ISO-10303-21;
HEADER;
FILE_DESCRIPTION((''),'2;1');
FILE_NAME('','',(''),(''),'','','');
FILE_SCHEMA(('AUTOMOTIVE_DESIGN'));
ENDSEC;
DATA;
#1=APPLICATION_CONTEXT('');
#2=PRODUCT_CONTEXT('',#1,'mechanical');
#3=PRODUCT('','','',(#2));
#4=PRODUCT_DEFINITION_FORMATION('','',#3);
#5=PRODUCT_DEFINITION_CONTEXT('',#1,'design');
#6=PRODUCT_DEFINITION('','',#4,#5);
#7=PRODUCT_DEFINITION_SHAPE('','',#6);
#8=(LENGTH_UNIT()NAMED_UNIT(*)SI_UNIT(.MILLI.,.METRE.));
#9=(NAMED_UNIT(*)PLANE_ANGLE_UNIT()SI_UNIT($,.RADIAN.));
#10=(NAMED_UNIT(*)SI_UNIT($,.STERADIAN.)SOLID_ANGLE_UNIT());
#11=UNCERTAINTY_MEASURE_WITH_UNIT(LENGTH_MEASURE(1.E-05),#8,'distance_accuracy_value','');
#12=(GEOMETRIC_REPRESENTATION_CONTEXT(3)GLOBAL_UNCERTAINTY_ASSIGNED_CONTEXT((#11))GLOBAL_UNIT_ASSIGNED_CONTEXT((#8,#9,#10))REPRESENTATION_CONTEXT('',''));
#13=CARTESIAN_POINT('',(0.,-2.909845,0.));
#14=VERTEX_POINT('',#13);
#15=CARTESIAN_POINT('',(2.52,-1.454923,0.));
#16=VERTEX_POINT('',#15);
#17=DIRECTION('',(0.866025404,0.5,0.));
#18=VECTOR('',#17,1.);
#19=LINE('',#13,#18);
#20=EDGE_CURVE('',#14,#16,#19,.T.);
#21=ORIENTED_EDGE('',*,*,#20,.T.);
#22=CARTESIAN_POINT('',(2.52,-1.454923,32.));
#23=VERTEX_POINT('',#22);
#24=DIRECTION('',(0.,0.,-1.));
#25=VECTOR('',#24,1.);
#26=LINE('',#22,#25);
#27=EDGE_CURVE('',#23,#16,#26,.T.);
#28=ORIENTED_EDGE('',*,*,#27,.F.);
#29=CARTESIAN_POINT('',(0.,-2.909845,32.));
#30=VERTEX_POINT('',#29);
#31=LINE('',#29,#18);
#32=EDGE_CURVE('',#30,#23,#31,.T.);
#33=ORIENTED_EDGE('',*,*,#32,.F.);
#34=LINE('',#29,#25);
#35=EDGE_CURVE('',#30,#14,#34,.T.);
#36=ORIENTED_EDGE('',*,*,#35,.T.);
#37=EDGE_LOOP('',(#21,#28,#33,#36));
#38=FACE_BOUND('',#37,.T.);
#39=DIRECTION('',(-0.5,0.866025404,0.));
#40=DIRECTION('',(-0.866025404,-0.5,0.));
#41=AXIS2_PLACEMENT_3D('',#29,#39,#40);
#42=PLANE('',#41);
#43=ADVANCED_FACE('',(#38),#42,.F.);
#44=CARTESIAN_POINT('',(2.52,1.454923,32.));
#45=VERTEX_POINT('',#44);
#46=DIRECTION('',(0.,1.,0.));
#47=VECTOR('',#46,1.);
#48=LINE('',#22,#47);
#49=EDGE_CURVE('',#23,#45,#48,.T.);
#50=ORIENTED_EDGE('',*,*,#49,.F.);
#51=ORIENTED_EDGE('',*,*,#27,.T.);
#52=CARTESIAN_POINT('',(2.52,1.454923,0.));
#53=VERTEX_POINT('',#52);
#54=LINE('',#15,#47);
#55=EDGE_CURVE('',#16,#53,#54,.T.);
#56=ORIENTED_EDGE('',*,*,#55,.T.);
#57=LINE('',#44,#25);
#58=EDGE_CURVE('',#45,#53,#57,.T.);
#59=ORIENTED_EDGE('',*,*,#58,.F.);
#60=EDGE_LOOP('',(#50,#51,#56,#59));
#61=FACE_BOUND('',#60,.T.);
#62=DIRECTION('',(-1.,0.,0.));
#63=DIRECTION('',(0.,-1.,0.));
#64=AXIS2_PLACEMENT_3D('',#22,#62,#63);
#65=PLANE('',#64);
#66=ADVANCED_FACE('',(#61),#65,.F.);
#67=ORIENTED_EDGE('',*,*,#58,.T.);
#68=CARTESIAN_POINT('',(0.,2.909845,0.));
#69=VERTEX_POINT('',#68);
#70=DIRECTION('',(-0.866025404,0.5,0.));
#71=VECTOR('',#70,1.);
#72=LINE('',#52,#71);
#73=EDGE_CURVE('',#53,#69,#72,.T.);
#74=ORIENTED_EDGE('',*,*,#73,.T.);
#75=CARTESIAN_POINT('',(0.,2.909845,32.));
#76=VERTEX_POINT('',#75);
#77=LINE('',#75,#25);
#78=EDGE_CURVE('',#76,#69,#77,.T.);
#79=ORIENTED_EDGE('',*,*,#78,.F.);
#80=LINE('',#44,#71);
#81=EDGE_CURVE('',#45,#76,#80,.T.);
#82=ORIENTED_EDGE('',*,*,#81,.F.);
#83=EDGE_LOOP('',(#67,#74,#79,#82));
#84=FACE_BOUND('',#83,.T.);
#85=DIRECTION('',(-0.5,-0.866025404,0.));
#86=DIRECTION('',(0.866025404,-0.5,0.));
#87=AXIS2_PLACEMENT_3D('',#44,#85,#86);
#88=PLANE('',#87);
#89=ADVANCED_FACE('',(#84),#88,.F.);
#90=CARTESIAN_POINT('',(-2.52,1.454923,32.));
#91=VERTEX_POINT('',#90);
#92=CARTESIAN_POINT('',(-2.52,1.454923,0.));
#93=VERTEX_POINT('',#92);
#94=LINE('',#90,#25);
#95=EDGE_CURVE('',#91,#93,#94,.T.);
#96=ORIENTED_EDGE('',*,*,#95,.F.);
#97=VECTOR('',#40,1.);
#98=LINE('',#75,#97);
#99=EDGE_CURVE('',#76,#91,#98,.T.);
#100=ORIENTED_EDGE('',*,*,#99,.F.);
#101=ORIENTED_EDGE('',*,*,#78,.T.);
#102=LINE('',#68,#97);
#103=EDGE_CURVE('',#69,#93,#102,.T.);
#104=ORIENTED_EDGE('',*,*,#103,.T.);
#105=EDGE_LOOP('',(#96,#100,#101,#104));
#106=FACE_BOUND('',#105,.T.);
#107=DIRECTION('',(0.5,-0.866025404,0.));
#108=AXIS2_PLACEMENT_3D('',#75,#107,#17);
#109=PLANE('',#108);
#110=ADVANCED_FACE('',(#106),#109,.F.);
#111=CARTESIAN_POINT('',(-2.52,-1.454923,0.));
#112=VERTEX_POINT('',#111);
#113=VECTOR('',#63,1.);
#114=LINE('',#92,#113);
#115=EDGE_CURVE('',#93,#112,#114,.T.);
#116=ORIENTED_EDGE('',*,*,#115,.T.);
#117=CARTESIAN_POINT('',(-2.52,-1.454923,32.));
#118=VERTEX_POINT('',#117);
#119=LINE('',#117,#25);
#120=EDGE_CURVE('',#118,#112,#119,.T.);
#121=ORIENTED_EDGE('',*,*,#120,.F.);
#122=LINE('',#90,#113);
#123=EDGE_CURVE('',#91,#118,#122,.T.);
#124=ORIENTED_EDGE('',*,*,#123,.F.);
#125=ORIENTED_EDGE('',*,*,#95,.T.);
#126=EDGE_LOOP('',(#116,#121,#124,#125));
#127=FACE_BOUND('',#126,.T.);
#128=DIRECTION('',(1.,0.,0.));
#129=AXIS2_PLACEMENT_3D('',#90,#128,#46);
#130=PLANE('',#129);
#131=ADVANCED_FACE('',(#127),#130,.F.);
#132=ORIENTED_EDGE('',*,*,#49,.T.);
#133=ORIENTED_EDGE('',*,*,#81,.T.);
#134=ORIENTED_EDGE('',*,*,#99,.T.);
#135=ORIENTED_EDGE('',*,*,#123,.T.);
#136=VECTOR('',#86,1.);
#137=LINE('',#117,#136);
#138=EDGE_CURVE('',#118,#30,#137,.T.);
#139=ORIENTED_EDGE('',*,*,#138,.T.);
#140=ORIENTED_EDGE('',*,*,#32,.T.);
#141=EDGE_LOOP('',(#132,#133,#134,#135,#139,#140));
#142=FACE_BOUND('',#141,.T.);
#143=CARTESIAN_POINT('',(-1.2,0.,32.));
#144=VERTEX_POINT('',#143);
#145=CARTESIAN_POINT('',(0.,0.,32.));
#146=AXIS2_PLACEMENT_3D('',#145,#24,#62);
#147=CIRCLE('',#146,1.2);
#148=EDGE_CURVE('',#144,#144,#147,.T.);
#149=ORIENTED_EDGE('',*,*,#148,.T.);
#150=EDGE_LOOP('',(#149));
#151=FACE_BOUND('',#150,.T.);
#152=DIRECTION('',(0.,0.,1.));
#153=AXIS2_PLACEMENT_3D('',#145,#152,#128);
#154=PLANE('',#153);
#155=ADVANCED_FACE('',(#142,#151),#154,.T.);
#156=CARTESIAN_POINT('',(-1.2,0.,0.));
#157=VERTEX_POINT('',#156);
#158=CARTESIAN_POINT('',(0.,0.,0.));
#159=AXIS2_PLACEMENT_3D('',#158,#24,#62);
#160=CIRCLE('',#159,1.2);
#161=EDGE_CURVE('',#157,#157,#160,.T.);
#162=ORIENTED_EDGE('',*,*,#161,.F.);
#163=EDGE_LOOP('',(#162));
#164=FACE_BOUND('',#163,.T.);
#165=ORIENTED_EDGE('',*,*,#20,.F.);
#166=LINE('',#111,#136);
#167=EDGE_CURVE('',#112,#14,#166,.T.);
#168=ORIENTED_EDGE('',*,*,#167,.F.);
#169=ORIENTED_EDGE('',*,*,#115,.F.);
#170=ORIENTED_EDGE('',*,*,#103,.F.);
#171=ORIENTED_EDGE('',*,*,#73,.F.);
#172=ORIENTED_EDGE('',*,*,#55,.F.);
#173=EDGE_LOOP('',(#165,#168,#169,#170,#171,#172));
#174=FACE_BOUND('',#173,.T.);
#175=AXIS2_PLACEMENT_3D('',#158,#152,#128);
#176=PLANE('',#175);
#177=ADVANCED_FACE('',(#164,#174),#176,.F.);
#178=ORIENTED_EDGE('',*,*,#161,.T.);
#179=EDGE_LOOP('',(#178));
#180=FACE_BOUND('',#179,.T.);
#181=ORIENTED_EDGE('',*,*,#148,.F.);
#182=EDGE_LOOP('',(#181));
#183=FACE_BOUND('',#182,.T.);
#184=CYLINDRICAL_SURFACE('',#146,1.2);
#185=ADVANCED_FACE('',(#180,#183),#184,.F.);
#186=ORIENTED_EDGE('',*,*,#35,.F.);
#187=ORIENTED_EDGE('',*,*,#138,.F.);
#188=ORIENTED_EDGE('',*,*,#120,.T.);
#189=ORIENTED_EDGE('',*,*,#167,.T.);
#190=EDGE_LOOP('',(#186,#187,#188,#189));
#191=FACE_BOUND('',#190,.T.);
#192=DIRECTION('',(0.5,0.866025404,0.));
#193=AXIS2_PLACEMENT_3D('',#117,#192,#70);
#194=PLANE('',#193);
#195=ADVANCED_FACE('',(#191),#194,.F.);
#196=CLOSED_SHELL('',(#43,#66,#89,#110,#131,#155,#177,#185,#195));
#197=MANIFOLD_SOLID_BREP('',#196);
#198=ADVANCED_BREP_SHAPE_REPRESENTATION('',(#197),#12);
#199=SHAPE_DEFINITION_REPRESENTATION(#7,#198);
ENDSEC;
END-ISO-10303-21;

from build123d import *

# Parameters (mm, degrees)
BOSS_EXTRU_1_DEPTH      = 32
ESQUISSE2_R             = 1.2
ENL_V_MAT_EXTRU_1_DEPTH = 32


with BuildPart() as part:
    # Esquisse1 → Boss.-Extru.1 (new body)
    with BuildSketch(Plane.XY):
        Polygon((-2.52, 1.454922678), (-2.52, -1.454922678), (0, -2.909845357), (2.52, -1.454922678), (2.52, 1.454922678), (0, 2.909845357), align=None)
    extrude(amount=BOSS_EXTRU_1_DEPTH)

    # Esquisse2 → Enlèv. mat.-Extru.1 (cut)
    with BuildSketch(Plane(origin=(0, 0, 0), x_dir=(-1, 0, 0), z_dir=(0, 0, -1))):
        Circle(ESQUISSE2_R)
    extrude(amount=-ENL_V_MAT_EXTRU_1_DEPTH, mode=Mode.SUBTRACT)


solid = part.part
